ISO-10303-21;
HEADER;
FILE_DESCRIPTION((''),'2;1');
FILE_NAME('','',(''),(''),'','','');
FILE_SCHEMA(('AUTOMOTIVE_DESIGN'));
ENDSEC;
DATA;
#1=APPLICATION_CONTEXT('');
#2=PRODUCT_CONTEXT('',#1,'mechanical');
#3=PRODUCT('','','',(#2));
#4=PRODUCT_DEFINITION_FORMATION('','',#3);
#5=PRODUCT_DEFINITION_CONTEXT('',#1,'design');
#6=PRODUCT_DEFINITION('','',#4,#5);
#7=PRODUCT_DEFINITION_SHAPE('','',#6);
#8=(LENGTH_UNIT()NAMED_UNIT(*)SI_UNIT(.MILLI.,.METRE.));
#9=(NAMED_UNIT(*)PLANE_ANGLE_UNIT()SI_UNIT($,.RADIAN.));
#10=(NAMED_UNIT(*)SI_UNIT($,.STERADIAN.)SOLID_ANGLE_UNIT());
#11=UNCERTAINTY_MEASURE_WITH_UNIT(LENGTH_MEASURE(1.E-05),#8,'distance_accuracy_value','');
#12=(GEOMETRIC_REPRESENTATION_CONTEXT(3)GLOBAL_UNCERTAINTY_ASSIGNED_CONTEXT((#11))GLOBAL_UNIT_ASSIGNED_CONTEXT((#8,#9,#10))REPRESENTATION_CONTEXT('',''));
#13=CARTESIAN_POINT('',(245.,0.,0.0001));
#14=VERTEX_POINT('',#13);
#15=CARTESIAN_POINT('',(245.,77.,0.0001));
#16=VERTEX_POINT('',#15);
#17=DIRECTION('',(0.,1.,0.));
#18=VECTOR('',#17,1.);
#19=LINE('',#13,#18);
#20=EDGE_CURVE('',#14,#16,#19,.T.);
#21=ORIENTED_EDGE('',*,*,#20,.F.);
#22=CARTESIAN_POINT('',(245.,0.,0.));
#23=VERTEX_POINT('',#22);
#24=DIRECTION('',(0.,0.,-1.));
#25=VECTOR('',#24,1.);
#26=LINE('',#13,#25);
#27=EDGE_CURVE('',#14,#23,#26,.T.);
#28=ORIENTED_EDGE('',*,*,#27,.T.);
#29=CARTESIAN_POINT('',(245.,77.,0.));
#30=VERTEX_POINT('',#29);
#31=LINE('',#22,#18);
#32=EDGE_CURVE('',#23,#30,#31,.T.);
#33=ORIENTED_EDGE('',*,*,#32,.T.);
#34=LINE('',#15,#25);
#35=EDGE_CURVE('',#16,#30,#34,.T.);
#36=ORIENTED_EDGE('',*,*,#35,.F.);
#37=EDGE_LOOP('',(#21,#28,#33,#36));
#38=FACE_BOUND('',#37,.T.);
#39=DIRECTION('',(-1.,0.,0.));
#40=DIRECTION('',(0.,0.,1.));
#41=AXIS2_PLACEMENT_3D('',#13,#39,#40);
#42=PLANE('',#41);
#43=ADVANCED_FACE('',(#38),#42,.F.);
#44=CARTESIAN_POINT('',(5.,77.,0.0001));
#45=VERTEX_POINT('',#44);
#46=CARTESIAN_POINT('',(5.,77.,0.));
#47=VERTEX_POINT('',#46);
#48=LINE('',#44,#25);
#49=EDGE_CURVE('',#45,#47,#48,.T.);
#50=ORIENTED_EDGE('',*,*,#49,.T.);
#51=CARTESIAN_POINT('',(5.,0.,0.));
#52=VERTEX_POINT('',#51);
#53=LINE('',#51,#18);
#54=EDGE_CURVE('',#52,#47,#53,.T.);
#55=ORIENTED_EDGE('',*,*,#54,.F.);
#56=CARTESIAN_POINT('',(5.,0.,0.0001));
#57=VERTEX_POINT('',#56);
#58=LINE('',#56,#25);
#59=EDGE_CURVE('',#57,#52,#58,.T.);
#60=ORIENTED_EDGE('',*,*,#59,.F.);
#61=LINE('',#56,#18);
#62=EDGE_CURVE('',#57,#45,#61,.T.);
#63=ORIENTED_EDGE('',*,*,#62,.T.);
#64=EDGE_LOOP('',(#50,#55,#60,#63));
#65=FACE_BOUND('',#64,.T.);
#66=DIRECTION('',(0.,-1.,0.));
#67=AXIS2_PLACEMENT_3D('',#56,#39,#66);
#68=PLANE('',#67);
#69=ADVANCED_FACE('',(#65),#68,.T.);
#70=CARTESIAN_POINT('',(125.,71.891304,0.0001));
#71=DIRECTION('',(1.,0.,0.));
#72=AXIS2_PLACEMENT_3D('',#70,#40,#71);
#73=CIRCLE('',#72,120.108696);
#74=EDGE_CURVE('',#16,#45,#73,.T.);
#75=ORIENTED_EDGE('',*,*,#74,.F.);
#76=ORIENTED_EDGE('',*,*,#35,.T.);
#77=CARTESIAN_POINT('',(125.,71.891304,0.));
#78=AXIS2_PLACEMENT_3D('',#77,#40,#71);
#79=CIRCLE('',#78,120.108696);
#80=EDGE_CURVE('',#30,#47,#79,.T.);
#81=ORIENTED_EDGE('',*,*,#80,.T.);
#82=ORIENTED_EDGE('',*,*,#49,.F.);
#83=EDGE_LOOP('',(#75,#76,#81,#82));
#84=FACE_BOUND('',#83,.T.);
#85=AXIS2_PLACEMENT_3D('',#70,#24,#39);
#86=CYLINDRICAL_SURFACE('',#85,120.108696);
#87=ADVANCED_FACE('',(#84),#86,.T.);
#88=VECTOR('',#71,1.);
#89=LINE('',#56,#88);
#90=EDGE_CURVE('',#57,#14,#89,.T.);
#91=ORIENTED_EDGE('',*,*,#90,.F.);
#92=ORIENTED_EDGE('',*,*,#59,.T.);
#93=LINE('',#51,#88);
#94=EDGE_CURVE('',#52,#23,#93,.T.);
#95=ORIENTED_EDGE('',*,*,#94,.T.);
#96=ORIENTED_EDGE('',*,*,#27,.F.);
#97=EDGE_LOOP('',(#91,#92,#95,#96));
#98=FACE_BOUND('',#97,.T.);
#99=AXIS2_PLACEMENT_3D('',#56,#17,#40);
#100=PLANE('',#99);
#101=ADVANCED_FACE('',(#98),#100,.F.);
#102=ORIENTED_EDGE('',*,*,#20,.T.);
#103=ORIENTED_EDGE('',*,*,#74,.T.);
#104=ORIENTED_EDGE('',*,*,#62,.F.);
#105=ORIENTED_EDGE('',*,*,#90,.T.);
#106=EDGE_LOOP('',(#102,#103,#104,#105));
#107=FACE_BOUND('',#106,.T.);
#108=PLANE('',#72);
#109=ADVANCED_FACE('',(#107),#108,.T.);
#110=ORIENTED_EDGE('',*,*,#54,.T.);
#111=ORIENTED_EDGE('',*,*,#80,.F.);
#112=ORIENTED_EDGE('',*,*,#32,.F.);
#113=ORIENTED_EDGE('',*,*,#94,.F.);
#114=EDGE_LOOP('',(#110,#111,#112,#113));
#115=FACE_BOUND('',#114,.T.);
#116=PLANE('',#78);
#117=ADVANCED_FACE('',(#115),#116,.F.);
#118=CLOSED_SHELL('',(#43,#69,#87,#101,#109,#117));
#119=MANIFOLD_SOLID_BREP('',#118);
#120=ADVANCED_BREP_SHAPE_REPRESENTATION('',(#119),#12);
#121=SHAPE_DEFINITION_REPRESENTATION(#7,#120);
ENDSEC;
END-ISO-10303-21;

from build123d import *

# Parameters (mm, degrees)
BOSS_EXTRU_1_DEPTH = 0.0001


with BuildPart() as part:
    # Esquisse1 → Boss.-Extru.1 (new body)
    with BuildSketch(Plane.XY):
        with BuildLine():
            Line((5, 0), (5, 77))
            ThreePointArc((5, 77), (125, 192), (245, 77))
            Line((245, 77), (245, 0))
            Line((245, 0), (5, 0))
        make_face()
    extrude(amount=BOSS_EXTRU_1_DEPTH)


solid = part.part
